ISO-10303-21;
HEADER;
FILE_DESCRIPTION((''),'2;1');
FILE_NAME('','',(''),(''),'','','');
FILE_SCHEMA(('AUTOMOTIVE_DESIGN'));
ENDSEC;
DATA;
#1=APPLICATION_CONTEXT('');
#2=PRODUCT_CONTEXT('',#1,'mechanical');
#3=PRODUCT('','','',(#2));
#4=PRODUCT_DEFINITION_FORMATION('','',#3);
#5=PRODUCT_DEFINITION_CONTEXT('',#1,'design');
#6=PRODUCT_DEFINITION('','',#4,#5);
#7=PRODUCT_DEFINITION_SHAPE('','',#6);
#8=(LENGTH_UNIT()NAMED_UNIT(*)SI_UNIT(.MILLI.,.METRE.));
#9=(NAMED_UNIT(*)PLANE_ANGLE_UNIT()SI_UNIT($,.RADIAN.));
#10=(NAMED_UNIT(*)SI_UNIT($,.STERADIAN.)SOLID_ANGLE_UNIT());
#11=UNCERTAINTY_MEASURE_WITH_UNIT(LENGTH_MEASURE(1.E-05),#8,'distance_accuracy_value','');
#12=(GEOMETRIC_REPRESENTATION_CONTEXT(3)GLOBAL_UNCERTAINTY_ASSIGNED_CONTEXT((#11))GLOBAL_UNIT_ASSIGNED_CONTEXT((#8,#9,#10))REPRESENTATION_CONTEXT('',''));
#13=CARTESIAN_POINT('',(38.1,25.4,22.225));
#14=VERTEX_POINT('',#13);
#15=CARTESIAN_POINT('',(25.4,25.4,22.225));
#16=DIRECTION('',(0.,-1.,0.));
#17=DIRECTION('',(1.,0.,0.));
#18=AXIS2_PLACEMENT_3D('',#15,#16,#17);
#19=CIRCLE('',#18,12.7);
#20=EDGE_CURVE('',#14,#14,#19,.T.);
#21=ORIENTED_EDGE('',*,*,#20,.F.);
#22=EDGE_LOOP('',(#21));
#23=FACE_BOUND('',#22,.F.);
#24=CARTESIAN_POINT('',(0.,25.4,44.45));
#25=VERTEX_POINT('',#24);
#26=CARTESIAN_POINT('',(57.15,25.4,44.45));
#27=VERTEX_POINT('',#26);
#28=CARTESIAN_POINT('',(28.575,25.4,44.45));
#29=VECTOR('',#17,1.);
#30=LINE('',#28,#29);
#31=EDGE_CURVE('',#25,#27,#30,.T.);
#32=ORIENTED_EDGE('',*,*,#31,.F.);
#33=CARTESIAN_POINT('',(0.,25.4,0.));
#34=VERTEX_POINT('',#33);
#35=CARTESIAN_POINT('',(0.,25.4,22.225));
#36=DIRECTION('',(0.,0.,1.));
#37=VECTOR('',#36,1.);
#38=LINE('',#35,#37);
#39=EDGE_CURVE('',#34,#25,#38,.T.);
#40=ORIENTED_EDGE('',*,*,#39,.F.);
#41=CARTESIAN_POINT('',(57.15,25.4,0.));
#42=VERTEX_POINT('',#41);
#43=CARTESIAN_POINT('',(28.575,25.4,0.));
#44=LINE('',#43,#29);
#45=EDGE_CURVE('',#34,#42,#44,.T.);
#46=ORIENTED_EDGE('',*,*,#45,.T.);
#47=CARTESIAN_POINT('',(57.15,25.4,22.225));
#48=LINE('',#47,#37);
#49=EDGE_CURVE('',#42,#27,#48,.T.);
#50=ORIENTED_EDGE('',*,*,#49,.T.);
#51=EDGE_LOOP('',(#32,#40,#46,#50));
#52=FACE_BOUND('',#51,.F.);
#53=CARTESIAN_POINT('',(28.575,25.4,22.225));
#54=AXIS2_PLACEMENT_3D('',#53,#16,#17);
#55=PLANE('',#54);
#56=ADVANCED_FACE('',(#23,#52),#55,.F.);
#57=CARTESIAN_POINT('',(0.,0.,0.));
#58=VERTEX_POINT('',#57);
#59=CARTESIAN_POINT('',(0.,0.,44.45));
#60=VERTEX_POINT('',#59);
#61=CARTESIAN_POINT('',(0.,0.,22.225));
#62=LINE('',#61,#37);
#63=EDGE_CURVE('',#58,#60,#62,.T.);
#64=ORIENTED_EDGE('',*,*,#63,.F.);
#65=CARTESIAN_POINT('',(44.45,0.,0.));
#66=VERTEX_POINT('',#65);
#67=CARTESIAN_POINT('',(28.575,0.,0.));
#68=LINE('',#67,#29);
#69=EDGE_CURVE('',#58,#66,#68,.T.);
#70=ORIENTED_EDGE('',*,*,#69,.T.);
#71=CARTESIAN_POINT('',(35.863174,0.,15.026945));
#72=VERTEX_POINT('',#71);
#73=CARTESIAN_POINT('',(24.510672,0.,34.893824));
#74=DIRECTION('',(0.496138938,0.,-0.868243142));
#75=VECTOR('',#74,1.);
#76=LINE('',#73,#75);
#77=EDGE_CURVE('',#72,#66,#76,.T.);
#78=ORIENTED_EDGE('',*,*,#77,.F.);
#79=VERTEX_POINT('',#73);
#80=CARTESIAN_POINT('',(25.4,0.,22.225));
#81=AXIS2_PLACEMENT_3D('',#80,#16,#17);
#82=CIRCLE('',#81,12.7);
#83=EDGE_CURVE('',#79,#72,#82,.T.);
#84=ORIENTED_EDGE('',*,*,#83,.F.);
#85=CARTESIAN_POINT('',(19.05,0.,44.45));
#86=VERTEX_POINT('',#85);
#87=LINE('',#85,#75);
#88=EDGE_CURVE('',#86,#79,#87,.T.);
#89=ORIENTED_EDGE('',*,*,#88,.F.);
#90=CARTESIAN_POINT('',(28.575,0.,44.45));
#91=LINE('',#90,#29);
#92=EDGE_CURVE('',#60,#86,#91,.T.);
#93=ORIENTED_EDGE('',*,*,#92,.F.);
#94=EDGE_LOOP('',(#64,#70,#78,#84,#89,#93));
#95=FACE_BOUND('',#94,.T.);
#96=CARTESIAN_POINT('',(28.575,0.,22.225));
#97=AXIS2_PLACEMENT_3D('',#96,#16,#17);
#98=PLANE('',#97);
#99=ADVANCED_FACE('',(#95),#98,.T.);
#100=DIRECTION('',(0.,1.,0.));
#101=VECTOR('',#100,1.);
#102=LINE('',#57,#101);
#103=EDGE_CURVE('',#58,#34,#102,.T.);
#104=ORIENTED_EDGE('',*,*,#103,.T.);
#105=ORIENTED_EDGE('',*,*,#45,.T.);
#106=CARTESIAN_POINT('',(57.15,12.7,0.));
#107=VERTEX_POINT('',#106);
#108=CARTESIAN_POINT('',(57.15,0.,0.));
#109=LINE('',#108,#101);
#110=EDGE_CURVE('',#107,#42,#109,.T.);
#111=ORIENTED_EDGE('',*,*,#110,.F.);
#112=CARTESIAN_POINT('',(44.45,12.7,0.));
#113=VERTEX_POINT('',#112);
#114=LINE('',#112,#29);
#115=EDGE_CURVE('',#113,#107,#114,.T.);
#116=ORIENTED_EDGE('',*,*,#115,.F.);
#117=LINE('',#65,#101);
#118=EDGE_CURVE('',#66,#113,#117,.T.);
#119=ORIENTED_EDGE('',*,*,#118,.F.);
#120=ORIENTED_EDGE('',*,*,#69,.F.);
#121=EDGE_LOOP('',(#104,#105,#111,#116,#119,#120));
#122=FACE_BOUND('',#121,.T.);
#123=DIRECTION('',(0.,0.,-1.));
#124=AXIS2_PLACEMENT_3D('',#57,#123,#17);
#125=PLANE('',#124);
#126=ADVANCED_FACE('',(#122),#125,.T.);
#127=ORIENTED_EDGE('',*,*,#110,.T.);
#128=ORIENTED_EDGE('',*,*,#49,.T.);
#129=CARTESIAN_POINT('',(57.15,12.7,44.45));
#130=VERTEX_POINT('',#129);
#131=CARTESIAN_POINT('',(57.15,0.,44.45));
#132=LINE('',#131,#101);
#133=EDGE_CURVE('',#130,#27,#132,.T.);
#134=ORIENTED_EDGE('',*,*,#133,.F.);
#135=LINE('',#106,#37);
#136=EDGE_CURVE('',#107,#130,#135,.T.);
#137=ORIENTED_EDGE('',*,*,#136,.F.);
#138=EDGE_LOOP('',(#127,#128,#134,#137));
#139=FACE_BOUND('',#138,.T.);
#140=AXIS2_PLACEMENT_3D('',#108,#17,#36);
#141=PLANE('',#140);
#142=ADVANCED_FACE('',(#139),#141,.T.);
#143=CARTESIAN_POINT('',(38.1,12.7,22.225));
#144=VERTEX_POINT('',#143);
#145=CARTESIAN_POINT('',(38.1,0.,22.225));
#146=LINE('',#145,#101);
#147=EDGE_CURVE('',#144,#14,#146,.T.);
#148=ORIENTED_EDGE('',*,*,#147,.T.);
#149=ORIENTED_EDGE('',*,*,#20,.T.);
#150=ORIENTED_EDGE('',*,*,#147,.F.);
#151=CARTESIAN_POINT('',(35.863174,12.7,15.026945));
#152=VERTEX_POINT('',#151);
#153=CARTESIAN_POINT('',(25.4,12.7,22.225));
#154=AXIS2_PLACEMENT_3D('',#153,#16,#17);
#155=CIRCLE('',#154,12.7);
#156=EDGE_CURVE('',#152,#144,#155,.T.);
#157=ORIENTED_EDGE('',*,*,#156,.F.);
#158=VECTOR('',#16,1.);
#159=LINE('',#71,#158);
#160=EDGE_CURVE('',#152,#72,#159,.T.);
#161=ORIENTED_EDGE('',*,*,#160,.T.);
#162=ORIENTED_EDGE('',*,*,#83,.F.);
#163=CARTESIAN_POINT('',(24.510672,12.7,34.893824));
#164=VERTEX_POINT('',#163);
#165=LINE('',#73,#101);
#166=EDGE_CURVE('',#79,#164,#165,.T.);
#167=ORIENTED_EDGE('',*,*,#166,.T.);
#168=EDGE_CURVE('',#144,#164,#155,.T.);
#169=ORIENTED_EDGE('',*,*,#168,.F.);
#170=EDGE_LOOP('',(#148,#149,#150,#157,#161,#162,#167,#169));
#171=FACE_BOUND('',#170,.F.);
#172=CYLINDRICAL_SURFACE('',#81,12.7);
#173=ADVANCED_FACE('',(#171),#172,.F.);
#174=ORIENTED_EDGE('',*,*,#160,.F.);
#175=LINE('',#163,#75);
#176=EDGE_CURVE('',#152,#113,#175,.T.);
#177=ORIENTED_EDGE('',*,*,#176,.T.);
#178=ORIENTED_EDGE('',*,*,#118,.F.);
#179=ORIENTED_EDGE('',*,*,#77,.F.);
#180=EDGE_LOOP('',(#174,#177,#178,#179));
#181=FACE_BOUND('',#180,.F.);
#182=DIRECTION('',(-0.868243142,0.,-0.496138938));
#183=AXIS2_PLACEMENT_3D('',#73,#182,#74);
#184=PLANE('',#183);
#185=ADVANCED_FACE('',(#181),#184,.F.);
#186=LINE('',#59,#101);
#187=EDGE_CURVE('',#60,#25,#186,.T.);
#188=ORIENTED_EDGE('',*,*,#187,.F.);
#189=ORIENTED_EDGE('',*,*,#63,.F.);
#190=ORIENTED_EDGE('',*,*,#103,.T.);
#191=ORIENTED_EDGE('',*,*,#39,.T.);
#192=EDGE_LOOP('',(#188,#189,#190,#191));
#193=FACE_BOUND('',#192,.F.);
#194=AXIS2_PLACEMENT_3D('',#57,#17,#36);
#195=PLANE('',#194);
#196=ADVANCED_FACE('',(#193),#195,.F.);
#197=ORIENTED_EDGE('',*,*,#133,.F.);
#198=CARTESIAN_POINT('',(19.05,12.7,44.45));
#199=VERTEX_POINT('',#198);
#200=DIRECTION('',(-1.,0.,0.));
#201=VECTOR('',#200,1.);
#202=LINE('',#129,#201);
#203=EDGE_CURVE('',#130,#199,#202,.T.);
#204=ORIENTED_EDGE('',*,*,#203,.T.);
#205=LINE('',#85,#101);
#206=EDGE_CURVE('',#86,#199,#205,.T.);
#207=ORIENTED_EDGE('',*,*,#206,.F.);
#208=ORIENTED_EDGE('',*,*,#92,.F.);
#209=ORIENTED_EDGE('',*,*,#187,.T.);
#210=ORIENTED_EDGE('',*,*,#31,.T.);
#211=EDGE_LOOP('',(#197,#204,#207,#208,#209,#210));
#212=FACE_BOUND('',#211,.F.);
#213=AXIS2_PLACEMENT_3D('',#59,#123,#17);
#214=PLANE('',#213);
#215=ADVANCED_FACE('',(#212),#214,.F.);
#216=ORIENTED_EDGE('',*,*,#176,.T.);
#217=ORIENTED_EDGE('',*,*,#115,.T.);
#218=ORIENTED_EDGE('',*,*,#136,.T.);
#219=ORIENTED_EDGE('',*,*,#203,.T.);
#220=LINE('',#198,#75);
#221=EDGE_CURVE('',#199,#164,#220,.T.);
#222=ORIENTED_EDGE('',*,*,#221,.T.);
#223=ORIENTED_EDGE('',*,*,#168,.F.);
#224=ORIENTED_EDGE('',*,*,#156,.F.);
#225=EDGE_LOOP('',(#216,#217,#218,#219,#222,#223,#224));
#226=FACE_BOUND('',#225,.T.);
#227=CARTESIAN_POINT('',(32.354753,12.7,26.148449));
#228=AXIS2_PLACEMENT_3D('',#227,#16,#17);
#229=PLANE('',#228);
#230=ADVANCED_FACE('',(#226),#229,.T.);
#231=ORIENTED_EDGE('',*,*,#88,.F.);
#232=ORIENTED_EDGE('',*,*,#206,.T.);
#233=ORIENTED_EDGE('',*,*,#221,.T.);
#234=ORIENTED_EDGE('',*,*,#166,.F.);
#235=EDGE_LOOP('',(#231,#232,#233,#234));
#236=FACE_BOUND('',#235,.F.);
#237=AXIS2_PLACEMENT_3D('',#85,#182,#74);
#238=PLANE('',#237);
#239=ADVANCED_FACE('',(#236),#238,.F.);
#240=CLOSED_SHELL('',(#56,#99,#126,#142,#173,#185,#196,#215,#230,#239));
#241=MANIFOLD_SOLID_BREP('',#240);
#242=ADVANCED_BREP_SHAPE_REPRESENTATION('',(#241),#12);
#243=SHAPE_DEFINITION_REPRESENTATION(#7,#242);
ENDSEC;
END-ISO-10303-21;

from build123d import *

# Parameters (mm, degrees)
F0_W     = 57.15
F0_H     = 44.45
F1_DEPTH = 25.4
F2_R     = 12.7
F3_DEPTH = 25.4
F5_DEPTH = 12.7


with BuildPart() as f1:
    # F0 (on Front) → F1 (new body)
    with BuildSketch(Plane.XZ):
        with Locations((28.575, 22.225)):
            Rectangle(F0_W, F0_H)
    extrude(amount=-F1_DEPTH)

    # F2 (on face) → F3 (cut)
    with BuildSketch(Plane.XZ):
        with Locations((25.4, 22.225)):
            Circle(F2_R)
    extrude(amount=-F3_DEPTH, mode=Mode.SUBTRACT)

    # F4 (on face) → F5 (cut)
    with BuildSketch(Plane.XZ):
        with BuildLine():
            Line((24.5106721265, 34.8938237786), (35.8631740273, 15.0269454522))
            ThreePointArc((35.8631740273, 15.0269454522), (37.5279081079, 18.4562011295), (38.1, 22.225))
            ThreePointArc((38.1, 22.225), (34.0601251725, 31.5143612265), (24.5106721265, 34.8938237786))
        make_face()
        with BuildLine():
            Line((44.45, 0), (57.15, 0))
            Line((57.15, 0), (57.15, 44.45))
            Line((57.15, 44.45), (19.05, 44.45))
            Line((19.05, 44.45), (24.5106721265, 34.8938237786))
            ThreePointArc((24.5106721265, 34.8938237786), (34.0601251725, 31.5143612265), (38.1, 22.225))
            ThreePointArc((38.1, 22.225), (37.5279081079, 18.4562011295), (35.8631740273, 15.0269454522))
            Line((35.8631740273, 15.0269454522), (44.45, 0))
        make_face()
    extrude(amount=-F5_DEPTH, mode=Mode.SUBTRACT)


solid = f1.part
